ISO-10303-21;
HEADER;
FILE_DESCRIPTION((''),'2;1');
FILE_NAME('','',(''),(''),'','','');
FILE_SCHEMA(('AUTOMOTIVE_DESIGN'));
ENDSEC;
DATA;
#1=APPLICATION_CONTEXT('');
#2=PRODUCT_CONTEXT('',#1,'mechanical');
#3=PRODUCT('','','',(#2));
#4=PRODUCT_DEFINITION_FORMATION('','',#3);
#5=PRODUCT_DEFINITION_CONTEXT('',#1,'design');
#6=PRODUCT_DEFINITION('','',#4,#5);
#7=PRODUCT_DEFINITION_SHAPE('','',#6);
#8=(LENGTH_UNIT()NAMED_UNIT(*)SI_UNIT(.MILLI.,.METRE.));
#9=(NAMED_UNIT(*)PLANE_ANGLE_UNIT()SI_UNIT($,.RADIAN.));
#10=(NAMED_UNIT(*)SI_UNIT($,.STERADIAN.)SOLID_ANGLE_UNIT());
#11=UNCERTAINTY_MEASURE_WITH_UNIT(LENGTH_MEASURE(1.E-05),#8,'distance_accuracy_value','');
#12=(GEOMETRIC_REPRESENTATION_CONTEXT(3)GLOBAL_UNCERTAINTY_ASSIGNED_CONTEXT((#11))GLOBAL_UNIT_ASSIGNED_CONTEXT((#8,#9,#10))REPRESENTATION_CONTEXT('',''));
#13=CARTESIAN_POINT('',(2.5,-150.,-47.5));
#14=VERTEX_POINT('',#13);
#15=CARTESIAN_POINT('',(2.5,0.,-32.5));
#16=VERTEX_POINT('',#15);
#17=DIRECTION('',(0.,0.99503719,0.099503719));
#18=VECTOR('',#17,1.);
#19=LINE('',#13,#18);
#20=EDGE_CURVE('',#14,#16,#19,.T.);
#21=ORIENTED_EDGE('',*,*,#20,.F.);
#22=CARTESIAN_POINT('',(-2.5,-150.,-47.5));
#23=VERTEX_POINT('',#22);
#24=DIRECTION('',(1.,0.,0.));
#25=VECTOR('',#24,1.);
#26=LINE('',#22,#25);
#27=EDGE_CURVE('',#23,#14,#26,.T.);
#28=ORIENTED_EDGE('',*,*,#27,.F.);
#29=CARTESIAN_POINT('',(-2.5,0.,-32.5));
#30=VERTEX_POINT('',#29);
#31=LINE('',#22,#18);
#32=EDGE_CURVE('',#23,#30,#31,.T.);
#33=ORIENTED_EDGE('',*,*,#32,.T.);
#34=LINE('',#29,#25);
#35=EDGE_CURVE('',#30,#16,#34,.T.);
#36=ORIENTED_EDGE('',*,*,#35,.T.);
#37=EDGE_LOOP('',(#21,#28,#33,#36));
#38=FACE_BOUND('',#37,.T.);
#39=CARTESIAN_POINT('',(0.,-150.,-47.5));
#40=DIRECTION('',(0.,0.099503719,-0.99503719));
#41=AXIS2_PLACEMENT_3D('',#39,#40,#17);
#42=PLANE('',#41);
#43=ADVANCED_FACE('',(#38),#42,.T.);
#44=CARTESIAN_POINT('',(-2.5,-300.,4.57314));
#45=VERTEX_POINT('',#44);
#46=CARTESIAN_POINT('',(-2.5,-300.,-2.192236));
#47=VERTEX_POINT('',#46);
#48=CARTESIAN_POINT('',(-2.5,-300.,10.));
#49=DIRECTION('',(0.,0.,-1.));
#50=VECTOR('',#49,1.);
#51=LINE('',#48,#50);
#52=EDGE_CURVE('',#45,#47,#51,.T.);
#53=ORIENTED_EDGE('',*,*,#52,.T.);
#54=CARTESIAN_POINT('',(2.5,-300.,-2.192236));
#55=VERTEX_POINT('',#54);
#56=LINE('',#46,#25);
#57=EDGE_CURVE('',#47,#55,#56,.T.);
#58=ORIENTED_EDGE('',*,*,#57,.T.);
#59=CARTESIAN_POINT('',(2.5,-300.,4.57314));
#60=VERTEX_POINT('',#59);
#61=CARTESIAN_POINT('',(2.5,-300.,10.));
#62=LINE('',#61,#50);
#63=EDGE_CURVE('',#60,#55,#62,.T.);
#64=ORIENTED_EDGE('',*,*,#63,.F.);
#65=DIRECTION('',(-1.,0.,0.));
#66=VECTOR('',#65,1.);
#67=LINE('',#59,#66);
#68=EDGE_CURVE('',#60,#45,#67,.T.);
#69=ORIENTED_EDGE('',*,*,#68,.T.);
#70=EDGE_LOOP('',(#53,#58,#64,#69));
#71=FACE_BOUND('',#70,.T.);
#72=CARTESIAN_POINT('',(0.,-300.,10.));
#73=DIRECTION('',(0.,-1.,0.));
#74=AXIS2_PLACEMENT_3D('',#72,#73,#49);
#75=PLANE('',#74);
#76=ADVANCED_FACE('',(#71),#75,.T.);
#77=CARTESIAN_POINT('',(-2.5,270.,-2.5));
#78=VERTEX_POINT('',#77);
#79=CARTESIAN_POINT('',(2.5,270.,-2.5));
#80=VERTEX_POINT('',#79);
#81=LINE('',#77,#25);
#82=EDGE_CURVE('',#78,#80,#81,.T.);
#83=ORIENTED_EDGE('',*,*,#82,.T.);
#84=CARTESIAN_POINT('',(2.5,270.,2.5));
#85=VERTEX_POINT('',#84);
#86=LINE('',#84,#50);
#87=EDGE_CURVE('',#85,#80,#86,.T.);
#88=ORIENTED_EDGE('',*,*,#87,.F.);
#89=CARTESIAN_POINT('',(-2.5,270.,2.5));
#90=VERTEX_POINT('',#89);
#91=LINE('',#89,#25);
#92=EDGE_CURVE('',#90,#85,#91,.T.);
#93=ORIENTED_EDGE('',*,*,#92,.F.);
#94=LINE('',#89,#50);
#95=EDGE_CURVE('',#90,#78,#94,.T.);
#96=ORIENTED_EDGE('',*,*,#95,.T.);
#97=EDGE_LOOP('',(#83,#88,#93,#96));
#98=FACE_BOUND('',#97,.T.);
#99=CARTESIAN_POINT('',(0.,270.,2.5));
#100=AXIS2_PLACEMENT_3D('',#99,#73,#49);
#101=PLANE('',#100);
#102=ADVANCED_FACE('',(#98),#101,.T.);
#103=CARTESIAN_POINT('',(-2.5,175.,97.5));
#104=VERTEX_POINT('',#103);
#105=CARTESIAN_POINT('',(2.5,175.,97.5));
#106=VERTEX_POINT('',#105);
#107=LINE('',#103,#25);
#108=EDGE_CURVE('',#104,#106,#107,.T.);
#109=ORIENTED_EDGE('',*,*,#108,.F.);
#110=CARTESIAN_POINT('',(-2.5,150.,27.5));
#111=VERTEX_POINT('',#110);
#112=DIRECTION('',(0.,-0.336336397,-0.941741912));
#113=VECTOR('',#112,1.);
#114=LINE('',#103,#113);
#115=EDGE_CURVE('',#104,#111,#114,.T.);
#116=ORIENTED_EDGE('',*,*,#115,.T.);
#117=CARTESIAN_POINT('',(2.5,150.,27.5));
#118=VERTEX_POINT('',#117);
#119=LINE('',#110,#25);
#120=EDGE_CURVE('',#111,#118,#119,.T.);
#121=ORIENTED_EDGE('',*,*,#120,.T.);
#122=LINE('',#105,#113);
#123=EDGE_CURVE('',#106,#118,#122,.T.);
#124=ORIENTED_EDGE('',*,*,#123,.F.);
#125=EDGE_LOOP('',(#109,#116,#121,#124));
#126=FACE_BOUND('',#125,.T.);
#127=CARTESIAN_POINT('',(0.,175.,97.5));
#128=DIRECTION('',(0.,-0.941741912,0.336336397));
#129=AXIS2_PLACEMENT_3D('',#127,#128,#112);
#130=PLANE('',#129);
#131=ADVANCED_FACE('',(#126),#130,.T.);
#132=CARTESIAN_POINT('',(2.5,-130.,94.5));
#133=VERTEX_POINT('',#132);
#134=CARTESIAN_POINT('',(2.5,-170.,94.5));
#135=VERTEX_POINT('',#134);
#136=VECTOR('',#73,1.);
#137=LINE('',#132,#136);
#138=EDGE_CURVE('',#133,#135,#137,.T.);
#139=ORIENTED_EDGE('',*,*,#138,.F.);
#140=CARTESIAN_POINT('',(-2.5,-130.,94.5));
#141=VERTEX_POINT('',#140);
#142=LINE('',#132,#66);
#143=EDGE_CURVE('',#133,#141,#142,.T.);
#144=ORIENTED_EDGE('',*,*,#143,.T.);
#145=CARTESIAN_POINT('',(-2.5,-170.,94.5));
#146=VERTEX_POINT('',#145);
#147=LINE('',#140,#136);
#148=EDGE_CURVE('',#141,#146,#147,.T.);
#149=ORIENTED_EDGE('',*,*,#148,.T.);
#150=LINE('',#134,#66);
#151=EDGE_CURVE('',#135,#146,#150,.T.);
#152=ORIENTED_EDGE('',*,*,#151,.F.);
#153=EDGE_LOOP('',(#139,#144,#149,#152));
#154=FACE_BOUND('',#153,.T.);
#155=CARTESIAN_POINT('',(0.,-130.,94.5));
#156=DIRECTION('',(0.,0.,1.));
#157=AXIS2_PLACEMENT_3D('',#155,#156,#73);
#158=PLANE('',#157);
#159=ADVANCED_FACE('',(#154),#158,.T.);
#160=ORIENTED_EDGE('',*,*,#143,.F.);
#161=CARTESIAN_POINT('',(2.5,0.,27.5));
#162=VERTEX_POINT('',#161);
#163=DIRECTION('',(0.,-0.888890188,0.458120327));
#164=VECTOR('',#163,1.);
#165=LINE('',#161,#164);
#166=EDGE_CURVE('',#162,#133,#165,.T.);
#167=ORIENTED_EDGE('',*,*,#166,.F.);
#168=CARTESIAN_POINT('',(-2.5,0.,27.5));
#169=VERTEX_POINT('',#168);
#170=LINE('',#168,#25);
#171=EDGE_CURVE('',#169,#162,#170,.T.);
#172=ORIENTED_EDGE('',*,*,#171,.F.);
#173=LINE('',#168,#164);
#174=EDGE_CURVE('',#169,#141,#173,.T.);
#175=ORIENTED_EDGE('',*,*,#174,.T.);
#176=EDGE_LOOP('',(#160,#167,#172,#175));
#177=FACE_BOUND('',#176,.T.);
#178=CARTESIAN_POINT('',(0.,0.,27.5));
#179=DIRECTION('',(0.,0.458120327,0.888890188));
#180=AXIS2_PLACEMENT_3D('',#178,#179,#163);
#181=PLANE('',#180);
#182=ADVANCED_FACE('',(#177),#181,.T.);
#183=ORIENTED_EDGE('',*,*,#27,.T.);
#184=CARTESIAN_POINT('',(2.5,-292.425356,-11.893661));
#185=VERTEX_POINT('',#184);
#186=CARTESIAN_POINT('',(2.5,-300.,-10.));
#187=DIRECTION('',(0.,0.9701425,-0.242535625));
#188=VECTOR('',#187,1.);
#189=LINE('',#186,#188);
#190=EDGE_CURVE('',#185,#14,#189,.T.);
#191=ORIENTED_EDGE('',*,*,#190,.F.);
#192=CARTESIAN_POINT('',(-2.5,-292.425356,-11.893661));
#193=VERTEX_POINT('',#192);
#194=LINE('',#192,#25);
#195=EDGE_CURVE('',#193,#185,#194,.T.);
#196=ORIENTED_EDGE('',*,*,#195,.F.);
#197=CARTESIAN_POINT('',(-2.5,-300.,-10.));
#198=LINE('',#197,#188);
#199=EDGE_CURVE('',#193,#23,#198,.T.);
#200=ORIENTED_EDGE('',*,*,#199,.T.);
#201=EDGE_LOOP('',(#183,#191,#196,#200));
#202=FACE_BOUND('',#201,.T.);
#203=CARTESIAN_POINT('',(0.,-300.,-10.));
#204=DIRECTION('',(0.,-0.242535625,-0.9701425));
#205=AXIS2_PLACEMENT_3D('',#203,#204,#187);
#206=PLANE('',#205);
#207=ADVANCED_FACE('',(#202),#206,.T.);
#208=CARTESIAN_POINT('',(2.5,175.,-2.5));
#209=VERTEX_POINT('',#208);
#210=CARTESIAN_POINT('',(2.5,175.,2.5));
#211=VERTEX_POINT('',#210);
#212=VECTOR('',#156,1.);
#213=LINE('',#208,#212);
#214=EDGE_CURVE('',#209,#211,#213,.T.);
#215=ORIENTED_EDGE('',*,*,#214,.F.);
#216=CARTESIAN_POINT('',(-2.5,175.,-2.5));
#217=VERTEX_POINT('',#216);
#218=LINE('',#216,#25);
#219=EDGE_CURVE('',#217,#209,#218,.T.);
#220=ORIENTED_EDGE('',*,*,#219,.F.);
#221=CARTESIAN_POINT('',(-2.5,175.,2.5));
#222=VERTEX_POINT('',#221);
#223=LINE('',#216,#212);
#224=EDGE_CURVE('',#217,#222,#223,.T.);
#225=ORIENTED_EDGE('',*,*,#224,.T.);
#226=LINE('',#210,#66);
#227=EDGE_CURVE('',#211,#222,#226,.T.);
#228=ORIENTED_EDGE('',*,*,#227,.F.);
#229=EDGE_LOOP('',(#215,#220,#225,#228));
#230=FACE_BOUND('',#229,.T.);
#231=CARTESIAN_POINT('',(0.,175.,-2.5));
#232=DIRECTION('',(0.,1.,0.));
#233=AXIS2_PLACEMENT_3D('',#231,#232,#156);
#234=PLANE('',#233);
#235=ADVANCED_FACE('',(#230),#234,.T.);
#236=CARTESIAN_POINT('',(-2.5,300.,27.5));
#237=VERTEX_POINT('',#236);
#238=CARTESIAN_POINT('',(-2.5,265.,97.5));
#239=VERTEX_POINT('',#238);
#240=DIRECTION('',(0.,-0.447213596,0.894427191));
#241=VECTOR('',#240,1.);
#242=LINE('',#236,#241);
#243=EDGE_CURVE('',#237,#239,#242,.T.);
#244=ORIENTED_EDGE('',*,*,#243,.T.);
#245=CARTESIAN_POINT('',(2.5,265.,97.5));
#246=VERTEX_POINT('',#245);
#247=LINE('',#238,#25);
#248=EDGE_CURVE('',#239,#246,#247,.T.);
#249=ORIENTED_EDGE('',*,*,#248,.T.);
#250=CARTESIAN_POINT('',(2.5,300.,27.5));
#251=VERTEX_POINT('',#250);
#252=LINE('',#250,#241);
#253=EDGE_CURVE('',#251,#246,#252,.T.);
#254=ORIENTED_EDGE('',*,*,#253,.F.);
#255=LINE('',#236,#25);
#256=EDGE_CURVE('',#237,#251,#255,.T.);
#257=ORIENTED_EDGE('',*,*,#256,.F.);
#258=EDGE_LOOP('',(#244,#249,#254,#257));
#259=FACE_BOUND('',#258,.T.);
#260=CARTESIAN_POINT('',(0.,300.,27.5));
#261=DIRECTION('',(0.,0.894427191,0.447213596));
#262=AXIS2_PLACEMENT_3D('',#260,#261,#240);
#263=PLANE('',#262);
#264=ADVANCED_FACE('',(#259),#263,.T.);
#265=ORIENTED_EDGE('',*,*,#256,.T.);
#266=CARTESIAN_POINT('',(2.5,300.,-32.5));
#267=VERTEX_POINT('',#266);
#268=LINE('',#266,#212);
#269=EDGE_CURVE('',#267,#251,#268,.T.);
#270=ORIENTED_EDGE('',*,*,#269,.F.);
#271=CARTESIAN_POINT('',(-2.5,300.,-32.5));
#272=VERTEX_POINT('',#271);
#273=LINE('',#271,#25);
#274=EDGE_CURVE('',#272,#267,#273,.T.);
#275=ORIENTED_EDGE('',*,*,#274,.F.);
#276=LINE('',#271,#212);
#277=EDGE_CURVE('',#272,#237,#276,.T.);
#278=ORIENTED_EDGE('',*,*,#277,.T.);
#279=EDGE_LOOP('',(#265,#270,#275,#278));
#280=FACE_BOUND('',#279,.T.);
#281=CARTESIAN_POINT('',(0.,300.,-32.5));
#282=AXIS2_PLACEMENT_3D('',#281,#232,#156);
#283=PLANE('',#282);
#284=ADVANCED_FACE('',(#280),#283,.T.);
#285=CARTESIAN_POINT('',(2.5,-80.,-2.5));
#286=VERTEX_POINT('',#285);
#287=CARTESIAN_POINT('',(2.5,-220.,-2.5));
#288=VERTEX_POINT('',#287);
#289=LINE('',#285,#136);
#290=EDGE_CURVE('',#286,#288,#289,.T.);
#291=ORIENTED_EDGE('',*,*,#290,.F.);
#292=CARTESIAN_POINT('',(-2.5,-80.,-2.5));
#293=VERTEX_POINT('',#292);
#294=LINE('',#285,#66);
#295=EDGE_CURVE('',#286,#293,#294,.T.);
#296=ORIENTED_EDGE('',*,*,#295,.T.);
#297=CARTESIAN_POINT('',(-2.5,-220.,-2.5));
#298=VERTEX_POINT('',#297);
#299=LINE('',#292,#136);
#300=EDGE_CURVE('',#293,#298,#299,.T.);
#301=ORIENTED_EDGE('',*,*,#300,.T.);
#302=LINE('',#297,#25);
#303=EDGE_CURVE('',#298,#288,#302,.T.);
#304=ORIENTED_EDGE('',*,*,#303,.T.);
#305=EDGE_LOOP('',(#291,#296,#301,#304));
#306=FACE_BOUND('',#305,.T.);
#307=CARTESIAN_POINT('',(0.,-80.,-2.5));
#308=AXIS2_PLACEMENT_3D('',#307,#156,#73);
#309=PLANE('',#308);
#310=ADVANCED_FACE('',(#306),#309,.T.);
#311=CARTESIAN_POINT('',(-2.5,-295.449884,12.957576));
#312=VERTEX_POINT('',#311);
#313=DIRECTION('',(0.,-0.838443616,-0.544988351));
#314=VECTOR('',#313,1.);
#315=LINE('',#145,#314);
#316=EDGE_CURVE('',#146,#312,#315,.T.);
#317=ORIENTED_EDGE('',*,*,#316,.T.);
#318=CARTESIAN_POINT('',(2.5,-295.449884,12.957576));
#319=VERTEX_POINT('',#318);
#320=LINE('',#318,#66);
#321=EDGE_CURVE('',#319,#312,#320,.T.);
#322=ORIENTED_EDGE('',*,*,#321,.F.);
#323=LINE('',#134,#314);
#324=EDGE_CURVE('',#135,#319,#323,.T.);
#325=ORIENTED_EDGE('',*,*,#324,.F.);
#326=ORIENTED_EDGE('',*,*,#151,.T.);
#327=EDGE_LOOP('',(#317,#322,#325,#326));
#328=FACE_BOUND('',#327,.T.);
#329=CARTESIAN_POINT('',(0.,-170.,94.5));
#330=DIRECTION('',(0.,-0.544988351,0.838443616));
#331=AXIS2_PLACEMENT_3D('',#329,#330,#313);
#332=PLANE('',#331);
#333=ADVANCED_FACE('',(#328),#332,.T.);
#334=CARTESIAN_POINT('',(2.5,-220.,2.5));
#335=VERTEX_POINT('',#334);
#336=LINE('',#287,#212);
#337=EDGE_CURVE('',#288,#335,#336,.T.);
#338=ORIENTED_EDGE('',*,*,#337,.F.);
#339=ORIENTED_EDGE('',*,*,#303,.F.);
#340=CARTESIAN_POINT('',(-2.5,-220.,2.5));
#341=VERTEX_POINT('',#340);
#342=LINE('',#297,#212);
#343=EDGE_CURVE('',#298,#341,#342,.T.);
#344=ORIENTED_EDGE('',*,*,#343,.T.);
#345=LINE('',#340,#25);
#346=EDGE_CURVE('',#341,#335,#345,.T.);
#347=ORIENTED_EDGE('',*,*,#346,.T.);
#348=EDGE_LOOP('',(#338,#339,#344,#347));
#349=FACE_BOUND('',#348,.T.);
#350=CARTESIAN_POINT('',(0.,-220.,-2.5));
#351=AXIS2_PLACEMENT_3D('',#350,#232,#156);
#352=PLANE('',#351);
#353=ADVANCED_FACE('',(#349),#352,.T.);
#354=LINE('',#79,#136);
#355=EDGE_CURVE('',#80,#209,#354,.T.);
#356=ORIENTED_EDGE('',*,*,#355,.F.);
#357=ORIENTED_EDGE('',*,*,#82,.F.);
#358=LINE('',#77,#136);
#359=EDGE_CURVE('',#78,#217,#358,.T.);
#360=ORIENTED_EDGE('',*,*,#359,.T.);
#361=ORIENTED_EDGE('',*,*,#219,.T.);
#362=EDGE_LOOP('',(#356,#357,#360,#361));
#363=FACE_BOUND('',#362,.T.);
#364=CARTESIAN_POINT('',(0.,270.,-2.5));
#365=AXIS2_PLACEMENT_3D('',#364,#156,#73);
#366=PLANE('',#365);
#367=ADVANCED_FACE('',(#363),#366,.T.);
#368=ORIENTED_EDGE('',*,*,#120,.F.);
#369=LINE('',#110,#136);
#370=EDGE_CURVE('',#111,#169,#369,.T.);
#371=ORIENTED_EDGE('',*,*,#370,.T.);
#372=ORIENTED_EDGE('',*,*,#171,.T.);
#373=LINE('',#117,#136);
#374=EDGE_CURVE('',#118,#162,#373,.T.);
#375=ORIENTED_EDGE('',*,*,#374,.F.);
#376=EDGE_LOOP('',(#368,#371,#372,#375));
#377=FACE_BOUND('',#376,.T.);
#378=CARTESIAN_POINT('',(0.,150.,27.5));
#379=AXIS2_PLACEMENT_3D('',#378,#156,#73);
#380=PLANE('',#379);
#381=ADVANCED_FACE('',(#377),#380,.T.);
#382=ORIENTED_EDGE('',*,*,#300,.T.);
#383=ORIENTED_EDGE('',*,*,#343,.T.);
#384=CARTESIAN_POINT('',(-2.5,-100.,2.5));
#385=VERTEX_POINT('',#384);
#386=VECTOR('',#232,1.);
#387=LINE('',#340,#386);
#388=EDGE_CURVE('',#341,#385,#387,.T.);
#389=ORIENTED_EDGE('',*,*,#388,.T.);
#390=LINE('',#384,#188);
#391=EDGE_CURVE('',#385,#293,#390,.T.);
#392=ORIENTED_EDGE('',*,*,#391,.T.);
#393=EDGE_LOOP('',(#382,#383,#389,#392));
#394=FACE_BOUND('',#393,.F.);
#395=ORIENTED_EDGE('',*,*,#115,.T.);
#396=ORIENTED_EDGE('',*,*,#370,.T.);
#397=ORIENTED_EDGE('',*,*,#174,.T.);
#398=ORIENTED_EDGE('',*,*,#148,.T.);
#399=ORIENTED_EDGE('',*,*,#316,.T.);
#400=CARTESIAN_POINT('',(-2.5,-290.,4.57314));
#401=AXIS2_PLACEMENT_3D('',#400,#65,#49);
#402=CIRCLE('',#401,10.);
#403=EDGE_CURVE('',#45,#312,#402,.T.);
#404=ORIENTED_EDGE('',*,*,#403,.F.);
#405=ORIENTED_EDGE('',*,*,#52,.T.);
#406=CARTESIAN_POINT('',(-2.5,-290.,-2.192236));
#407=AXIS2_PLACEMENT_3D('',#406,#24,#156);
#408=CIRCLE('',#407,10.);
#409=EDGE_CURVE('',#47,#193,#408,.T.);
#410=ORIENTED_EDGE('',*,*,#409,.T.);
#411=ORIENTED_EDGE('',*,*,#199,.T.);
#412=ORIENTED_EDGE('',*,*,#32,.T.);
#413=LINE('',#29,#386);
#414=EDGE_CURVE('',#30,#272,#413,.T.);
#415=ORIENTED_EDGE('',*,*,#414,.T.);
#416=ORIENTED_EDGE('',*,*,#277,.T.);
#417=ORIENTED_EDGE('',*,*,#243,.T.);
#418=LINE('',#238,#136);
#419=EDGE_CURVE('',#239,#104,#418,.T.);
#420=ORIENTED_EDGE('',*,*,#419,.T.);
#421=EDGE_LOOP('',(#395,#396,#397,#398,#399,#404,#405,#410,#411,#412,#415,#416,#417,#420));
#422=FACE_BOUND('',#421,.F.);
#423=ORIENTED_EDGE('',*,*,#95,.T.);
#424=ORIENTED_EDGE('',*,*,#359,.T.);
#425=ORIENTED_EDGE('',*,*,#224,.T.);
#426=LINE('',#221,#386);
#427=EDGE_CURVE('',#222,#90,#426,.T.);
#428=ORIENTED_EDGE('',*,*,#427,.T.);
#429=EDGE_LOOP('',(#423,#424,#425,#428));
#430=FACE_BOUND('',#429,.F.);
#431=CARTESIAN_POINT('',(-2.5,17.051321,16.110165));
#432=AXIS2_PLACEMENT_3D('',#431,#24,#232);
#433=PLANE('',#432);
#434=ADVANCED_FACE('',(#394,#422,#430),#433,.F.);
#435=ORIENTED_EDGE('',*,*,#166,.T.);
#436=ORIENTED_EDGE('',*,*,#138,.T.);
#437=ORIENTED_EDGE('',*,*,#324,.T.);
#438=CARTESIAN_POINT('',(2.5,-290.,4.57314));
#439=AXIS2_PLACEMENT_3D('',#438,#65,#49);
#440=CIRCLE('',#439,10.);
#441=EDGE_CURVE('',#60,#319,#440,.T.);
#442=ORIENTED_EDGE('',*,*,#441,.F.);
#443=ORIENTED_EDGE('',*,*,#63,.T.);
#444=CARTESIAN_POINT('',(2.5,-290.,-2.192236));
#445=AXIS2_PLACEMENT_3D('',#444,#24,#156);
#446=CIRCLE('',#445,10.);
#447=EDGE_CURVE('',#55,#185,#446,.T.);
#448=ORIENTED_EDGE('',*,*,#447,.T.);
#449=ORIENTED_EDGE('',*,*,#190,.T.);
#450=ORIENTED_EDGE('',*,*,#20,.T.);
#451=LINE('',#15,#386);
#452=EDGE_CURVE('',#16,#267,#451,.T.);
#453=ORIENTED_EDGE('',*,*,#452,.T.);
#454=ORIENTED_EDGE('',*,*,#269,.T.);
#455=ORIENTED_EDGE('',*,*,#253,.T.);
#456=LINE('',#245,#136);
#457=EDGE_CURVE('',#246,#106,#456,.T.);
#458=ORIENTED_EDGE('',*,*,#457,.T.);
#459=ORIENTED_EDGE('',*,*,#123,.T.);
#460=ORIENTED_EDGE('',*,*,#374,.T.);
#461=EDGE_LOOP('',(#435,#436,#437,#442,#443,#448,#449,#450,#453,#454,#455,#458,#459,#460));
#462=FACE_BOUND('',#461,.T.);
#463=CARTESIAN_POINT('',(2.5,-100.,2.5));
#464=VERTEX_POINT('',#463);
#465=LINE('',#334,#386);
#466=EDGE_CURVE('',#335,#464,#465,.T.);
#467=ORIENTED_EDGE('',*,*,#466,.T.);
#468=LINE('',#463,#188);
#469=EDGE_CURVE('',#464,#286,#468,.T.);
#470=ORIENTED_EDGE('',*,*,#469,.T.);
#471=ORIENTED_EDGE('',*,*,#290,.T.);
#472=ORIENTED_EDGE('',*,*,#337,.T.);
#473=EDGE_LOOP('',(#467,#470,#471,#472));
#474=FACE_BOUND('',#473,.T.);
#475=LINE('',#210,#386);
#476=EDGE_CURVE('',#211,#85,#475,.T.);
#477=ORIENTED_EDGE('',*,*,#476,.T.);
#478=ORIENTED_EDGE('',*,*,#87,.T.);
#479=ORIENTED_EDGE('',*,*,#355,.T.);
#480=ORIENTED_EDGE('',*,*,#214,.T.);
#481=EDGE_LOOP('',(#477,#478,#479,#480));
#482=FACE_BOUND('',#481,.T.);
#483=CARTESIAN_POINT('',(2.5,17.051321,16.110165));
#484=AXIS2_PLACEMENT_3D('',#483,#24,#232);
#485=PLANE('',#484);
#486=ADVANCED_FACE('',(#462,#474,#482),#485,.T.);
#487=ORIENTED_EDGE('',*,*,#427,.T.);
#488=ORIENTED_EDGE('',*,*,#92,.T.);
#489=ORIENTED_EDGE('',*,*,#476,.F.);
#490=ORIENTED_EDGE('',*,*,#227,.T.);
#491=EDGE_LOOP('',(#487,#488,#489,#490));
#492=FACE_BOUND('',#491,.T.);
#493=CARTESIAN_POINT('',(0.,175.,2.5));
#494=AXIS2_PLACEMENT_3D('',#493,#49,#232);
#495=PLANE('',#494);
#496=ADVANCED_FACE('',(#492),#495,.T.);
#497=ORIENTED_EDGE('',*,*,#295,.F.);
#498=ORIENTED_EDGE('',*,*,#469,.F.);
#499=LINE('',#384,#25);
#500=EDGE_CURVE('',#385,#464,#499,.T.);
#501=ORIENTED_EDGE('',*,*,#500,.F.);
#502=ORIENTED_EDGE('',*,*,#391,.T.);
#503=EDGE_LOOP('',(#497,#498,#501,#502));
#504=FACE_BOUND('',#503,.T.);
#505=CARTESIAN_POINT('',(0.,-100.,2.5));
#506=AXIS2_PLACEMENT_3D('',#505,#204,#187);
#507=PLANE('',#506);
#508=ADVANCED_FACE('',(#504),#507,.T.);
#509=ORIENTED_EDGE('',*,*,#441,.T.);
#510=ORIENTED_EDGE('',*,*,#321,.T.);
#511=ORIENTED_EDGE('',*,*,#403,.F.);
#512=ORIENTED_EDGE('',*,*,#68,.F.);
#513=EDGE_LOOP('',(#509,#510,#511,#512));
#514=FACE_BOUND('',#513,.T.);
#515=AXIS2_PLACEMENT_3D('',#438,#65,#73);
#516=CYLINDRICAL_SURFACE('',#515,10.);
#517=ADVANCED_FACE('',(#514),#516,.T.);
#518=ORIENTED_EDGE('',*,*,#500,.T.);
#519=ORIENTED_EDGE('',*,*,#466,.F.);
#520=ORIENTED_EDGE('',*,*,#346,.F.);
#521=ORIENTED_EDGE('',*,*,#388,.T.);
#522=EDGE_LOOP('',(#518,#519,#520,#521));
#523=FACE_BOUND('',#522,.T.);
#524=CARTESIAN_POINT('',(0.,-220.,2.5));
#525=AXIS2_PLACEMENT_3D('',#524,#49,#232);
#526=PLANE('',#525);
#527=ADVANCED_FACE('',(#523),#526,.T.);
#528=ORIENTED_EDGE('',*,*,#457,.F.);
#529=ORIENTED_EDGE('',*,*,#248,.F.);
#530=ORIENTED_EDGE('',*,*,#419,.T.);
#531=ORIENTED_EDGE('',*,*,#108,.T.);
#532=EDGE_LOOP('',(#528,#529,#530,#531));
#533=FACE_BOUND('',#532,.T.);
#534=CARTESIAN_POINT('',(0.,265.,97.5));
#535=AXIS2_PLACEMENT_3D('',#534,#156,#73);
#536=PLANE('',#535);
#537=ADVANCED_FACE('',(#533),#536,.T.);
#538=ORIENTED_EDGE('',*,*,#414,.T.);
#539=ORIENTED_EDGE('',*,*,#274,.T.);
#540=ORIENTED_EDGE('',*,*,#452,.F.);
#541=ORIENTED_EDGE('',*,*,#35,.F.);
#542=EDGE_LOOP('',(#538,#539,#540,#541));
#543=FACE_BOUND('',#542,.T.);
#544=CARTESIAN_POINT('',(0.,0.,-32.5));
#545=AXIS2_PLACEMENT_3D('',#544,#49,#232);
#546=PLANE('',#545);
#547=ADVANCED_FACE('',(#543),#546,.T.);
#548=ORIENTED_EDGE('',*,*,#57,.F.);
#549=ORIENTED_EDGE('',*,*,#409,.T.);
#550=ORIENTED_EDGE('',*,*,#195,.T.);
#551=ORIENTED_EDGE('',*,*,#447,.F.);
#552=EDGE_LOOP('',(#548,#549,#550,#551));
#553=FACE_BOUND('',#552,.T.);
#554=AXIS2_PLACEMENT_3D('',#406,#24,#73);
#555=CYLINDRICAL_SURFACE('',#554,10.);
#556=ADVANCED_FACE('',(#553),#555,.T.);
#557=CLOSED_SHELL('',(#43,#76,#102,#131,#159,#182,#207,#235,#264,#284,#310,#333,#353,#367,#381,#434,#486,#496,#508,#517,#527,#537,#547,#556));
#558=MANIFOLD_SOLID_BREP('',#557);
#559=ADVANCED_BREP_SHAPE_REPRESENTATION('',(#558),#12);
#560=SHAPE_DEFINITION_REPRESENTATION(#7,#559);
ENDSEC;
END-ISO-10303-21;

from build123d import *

# Parameters (mm, degrees)
F1_DEPTH = 2.5
F2_R     = 10
F3_R     = 10


with BuildPart() as f1:
    # F0 (on Right) → F1 (new body, symmetric)
    with BuildSketch(Plane.YZ):
        Polygon((-300, 10), (-300, 0), (-300, -10), (-150, -47.5), (0, -32.5), (300, -32.5), (300, 27.5), (265, 97.5), (175, 97.5), (150, 27.5), (0, 27.5), (-130, 94.5), (-150, 94.5), (-170, 94.5), align=None)
        Polygon((-220, -2.5), (-220, 0), (-220, 2.5), (-100, 2.5), (-80, 2.5), (-80, -2.5), align=None, mode=Mode.SUBTRACT)
        Polygon((270, 2.5), (270, 0), (270, -2.5), (175, -2.5), (175, 2.5), align=None, mode=Mode.SUBTRACT)
        Polygon((-80, 2.5), (-100, 2.5), (-80, -2.5), align=None)
    extrude(amount=F1_DEPTH, both=True)

    # F2
    f2_edges = [f1.edges().sort_by_distance(p)[0] for p in [
        (0, -300, 10),
    ]]
    fillet(f2_edges, radius=F2_R)

    # F3
    f3_edges = [f1.edges().sort_by_distance(p)[0] for p in [
        (0, -300, -10),
    ]]
    fillet(f3_edges, radius=F3_R)


solid = f1.part
